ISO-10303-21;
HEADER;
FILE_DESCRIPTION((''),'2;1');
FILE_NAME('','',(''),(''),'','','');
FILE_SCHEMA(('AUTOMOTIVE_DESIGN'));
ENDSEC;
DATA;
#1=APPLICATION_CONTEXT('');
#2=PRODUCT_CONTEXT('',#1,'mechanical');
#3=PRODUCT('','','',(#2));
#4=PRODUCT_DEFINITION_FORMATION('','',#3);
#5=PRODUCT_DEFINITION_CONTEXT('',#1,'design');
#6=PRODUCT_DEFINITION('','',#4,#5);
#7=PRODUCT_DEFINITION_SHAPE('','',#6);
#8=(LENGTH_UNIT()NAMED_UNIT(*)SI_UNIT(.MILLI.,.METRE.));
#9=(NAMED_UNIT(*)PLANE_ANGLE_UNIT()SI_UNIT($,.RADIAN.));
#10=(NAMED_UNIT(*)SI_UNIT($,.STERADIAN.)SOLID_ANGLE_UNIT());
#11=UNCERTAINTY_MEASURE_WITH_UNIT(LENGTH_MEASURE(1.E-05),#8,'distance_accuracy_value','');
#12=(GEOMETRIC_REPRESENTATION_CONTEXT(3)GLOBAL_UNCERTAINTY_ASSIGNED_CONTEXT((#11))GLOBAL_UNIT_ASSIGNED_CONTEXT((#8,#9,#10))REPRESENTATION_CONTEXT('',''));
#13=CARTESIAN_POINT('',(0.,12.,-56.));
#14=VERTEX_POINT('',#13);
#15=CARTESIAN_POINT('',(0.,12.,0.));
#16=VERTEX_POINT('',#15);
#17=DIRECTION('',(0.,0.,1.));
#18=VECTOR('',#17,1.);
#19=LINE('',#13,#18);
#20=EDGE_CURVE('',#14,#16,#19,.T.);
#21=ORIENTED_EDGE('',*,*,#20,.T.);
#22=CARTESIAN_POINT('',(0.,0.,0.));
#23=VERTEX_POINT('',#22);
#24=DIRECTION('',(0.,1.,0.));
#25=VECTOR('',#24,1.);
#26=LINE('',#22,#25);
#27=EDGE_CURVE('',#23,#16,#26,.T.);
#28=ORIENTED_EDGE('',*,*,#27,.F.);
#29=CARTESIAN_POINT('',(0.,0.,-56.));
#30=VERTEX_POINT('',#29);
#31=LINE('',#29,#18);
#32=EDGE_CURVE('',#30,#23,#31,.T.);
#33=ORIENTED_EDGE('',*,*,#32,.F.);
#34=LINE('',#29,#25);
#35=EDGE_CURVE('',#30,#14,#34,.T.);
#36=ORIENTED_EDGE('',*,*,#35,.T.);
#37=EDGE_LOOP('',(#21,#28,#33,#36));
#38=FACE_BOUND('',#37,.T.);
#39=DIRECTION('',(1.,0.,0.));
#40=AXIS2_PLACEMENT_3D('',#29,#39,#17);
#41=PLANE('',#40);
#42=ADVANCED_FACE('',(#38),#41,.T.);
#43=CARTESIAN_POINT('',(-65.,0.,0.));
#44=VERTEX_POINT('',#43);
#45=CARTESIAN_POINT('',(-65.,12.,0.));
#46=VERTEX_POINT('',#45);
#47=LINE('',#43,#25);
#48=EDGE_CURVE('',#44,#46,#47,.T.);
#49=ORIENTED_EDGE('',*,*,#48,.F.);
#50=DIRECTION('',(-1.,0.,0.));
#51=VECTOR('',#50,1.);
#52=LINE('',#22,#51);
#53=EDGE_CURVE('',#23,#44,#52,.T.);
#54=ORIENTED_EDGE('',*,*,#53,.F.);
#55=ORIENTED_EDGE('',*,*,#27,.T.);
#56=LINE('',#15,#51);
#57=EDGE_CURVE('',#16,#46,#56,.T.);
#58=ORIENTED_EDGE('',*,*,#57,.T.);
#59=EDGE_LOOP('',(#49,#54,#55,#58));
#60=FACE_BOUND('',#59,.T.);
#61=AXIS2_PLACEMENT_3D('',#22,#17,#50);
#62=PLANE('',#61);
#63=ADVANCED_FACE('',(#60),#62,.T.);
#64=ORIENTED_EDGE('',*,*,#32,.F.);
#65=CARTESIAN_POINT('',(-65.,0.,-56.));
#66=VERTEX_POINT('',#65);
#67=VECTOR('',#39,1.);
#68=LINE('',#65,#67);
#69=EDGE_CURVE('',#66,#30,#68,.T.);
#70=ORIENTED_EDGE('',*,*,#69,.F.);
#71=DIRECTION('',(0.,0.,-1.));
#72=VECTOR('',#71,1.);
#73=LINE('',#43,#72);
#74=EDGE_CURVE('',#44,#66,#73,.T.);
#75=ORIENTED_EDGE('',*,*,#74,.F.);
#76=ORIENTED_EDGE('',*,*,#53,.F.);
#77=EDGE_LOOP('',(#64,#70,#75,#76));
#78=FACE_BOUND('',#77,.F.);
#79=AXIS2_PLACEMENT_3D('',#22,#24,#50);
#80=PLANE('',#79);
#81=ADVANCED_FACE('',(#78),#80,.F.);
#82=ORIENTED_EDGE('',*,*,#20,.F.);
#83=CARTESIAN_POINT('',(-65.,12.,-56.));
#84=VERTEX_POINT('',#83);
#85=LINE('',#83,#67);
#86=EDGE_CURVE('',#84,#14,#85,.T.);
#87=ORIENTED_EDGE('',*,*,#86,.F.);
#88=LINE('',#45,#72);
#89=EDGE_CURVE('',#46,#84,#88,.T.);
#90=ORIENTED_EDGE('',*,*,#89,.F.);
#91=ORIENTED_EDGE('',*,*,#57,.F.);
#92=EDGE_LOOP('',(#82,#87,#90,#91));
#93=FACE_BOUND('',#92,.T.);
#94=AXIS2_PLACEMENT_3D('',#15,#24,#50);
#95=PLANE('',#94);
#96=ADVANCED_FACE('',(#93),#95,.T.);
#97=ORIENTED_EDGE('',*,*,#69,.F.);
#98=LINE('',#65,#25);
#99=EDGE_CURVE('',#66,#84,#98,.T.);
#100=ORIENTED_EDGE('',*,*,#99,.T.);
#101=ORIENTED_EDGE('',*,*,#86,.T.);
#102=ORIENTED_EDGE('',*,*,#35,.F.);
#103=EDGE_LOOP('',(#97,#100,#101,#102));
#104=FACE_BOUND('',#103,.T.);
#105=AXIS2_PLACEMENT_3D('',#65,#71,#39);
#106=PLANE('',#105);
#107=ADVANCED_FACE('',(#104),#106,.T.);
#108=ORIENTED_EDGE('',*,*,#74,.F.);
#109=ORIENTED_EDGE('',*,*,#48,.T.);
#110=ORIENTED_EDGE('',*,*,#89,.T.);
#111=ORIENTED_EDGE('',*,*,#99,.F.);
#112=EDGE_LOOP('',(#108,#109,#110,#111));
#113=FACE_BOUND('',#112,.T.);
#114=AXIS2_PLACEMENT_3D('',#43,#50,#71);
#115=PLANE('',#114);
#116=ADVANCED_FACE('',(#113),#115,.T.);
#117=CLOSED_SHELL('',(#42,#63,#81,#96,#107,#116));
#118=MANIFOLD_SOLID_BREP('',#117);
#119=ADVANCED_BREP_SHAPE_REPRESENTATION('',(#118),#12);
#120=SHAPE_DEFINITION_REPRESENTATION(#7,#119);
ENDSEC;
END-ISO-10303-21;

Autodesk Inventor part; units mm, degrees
ref_plane "YZ Plane" through (0, 0, 0) normal (1, 0, 0) x (0, 1, 0)
ref_plane "XZ Plane" through (0, 0, 0) normal (0, 1, 0) x (-1, 0, 0)
ref_plane "XY Plane" through (0, 0, 0) normal (0, 0, 1) x (1, 0, 0)
sketch "Sketch1" plane through (0, 0, 0) normal (0, 1, 0) x (-1, 0, 0)
  line L0 (0, 0) -> (65, 0)
  line L1 (65, 0) -> (65, -56)
  line L2 (65, -56) -> (0, -56)
  line L3 (0, -56) -> (0, 0)
  dimension "d0" = 65
  dimension "d1" = 56
extrude "Extrusion1" add sketch "Sketch1" along normal blind 12
properties part number "Raspberry_pi"
